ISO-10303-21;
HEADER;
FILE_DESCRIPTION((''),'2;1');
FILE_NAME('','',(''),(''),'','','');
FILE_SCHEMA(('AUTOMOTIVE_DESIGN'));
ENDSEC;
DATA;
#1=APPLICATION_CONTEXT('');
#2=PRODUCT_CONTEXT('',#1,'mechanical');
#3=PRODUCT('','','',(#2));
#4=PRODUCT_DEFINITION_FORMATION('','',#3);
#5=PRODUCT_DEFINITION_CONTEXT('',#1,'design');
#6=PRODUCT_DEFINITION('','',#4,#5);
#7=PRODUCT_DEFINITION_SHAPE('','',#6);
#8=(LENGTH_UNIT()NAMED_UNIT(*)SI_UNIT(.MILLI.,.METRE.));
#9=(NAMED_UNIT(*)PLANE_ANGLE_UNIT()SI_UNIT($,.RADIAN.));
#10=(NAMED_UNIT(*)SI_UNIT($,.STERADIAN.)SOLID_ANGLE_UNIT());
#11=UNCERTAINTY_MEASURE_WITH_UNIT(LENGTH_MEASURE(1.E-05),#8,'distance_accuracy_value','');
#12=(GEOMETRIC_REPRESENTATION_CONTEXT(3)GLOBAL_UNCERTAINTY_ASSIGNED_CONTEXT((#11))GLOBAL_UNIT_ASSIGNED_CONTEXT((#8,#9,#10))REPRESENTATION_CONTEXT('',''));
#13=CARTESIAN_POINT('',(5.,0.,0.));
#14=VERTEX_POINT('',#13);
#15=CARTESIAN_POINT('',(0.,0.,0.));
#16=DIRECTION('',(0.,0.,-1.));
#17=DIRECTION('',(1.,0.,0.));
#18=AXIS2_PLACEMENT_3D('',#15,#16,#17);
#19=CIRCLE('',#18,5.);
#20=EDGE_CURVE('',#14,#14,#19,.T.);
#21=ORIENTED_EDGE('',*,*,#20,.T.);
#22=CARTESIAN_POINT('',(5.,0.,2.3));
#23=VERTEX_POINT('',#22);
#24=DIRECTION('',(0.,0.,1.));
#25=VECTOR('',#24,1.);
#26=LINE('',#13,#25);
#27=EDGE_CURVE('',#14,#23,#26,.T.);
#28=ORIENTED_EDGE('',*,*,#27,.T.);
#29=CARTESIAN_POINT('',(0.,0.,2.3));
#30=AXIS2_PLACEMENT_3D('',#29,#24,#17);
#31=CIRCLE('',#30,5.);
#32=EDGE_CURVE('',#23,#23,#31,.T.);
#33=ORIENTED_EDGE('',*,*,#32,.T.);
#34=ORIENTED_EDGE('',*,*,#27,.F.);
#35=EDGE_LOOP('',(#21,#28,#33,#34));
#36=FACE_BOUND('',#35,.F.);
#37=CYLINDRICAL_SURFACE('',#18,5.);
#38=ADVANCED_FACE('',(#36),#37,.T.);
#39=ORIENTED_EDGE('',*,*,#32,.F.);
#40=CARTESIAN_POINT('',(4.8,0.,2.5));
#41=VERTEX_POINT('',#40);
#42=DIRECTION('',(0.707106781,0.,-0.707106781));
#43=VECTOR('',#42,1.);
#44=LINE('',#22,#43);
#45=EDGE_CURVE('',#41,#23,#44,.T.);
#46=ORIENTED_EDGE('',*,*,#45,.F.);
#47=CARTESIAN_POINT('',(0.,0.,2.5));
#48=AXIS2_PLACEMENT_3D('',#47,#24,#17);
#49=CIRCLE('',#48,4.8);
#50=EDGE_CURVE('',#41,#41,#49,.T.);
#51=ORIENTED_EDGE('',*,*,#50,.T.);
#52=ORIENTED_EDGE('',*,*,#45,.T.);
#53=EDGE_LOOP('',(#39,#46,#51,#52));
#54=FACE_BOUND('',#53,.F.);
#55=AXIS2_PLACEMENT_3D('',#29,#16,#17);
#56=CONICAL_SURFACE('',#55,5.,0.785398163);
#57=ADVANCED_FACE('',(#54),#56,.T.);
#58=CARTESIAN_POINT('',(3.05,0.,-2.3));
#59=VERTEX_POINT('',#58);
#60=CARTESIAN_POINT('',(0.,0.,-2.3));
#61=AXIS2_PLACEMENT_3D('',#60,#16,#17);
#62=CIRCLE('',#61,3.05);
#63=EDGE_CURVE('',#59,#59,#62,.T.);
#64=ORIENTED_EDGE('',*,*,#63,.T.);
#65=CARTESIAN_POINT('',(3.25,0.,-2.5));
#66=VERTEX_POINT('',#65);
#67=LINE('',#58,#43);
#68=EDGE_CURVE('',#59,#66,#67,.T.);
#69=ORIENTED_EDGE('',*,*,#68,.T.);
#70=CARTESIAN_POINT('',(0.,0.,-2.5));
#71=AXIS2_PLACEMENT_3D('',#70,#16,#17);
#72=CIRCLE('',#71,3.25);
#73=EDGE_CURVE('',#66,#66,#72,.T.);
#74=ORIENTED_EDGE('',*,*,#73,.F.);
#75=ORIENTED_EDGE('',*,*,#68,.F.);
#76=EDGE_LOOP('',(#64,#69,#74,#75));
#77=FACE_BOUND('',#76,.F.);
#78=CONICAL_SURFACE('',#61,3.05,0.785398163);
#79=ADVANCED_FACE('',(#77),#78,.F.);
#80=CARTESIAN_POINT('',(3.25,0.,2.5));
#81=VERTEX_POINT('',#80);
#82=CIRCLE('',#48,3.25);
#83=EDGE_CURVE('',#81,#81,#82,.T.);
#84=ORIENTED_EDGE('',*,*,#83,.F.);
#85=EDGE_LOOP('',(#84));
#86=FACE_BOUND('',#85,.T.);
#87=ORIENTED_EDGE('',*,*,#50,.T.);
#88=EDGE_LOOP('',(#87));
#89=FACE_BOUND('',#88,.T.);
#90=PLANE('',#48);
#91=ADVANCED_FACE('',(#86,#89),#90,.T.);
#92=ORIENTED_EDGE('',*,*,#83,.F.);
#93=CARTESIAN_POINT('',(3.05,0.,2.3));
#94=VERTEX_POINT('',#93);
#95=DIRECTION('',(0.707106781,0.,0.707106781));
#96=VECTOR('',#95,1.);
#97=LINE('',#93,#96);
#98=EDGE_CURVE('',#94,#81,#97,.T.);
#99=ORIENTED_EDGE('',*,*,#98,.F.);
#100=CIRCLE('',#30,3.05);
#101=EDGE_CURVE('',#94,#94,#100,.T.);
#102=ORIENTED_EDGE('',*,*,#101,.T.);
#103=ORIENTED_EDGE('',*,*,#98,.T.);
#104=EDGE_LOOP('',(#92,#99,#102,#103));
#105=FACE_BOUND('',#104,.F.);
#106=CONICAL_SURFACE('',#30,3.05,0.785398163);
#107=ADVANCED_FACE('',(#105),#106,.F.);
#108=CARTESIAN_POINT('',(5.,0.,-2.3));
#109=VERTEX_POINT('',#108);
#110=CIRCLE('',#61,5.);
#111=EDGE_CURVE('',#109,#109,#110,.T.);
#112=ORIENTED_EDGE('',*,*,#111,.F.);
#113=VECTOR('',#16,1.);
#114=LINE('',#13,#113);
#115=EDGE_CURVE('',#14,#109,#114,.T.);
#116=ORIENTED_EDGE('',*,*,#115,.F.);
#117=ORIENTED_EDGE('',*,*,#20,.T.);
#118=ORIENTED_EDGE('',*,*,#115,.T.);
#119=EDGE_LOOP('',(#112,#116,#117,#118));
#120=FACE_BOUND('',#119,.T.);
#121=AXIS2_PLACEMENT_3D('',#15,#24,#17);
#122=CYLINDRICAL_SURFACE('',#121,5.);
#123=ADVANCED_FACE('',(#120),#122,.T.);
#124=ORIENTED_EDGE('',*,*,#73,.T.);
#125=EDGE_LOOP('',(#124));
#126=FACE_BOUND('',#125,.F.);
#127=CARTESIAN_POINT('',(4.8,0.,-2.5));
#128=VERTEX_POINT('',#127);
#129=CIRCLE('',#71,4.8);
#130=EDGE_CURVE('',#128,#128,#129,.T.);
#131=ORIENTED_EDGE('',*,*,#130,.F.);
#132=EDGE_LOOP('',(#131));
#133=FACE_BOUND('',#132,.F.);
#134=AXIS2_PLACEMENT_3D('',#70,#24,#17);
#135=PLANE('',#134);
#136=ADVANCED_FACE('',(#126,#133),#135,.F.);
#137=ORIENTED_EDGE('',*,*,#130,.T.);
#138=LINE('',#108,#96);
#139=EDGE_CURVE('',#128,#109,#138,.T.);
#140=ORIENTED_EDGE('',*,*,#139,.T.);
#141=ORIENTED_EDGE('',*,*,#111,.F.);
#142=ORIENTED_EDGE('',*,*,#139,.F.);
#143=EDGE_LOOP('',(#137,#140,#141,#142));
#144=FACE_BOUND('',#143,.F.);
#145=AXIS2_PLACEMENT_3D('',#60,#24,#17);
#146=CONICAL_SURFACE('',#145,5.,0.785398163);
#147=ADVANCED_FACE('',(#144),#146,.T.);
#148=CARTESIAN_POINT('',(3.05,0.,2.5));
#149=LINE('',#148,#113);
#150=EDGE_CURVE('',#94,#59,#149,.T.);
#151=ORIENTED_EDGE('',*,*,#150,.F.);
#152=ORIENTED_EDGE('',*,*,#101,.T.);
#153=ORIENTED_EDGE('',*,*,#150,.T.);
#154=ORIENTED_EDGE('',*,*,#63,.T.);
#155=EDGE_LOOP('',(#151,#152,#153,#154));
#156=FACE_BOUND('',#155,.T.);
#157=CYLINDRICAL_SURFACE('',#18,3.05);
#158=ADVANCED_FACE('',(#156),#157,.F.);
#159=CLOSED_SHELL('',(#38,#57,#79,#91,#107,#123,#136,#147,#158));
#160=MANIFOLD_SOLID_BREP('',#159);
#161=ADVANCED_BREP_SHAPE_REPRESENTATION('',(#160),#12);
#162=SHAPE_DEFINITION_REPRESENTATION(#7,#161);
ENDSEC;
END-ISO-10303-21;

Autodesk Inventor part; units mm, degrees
ref_plane "YZ Plane" through (0, 0, 0) normal (1, 0, 0) x (0, 1, 0)
ref_plane "XZ Plane" through (0, 0, 0) normal (0, 1, 0) x (-1, 0, 0)
ref_plane "XY Plane" through (0, 0, 0) normal (0, 0, 1) x (1, 0, 0)
sketch "Skizze2" plane through (0, 0, 0) normal (0, 0, 1) x (1, 0, 0)
  line L0 (-7, 0) -> (7, 0) projected
  line L1 (0, 7) -> (0, -7) projected
  circle A0 centre (0, 0) radius 5
  circle A1 centre (0, 0) radius 3.05
  dimension "d13" = 10
  dimension "d14" = 6.1
extrude "Grundkörper" add sketch "Skizze2" along normal mid plane 5 contours A1 L1 A0 L0 | L0 A0 L1 A1 | A1 L0 A0 L1 | L1 A0 L0 A1
chamfer "Fase_Allgemein" distance 0.2 angle 45 4 edges at (-3.05, 0, 2.5) (-5, 0, 2.5) (-3.05, 0, -2.5) (-5, 0, -2.5)
properties part number "200-60-DIFFERENTIAL-BAR-04" material "Edelstahl"
